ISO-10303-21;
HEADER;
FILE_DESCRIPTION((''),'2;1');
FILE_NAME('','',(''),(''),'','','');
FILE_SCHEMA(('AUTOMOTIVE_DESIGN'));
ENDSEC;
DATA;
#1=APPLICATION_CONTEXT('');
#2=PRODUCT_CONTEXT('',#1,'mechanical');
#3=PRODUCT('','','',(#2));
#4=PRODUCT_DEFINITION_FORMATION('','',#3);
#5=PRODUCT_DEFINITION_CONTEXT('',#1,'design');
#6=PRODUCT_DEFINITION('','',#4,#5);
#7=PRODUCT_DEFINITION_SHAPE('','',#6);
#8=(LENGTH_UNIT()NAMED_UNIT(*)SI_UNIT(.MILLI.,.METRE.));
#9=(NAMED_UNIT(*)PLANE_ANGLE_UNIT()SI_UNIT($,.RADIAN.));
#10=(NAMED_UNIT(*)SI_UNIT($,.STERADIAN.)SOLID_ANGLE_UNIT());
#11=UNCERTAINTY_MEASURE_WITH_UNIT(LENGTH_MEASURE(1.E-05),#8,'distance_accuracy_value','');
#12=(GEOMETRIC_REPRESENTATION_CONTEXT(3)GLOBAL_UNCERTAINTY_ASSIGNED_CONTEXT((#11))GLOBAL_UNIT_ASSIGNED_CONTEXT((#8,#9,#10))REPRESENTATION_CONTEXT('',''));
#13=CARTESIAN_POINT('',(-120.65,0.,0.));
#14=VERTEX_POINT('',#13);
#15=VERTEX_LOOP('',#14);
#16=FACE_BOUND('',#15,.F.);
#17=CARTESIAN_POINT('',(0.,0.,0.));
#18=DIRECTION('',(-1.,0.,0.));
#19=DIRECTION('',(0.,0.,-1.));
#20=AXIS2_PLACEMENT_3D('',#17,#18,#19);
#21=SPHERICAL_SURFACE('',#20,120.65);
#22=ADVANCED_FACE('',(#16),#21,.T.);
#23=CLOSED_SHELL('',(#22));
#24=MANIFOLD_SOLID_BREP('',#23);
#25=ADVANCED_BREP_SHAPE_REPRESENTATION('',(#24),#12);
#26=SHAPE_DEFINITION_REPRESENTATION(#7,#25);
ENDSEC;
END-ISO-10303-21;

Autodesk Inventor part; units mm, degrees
ref_plane "YZ Plane" through (0, 0, 0) normal (1, 0, 0) x (0, 1, 0)
ref_plane "XZ Plane" through (0, 0, 0) normal (0, 1, 0) x (-1, 0, 0)
ref_plane "XY Plane" through (0, 0, 0) normal (0, 0, 1) x (1, 0, 0)
sketch "Sketch1" plane through (0, 0, 0) normal (0, 1, 0) x (-1, 0, 0)
  circle A0 centre (0, 0) radius 120.65
  line L0 (120.65, 0) -> (-120.65, 0)
  dimension "d0" = 241.3
revolve "Revolution1" add sketch "Sketch1" angle 360 about axis through (-120.65, 0, 0) along (1, 0, 0) picked at (-21.8663, -38.9965) contours A0 L0
properties part number "ball"
